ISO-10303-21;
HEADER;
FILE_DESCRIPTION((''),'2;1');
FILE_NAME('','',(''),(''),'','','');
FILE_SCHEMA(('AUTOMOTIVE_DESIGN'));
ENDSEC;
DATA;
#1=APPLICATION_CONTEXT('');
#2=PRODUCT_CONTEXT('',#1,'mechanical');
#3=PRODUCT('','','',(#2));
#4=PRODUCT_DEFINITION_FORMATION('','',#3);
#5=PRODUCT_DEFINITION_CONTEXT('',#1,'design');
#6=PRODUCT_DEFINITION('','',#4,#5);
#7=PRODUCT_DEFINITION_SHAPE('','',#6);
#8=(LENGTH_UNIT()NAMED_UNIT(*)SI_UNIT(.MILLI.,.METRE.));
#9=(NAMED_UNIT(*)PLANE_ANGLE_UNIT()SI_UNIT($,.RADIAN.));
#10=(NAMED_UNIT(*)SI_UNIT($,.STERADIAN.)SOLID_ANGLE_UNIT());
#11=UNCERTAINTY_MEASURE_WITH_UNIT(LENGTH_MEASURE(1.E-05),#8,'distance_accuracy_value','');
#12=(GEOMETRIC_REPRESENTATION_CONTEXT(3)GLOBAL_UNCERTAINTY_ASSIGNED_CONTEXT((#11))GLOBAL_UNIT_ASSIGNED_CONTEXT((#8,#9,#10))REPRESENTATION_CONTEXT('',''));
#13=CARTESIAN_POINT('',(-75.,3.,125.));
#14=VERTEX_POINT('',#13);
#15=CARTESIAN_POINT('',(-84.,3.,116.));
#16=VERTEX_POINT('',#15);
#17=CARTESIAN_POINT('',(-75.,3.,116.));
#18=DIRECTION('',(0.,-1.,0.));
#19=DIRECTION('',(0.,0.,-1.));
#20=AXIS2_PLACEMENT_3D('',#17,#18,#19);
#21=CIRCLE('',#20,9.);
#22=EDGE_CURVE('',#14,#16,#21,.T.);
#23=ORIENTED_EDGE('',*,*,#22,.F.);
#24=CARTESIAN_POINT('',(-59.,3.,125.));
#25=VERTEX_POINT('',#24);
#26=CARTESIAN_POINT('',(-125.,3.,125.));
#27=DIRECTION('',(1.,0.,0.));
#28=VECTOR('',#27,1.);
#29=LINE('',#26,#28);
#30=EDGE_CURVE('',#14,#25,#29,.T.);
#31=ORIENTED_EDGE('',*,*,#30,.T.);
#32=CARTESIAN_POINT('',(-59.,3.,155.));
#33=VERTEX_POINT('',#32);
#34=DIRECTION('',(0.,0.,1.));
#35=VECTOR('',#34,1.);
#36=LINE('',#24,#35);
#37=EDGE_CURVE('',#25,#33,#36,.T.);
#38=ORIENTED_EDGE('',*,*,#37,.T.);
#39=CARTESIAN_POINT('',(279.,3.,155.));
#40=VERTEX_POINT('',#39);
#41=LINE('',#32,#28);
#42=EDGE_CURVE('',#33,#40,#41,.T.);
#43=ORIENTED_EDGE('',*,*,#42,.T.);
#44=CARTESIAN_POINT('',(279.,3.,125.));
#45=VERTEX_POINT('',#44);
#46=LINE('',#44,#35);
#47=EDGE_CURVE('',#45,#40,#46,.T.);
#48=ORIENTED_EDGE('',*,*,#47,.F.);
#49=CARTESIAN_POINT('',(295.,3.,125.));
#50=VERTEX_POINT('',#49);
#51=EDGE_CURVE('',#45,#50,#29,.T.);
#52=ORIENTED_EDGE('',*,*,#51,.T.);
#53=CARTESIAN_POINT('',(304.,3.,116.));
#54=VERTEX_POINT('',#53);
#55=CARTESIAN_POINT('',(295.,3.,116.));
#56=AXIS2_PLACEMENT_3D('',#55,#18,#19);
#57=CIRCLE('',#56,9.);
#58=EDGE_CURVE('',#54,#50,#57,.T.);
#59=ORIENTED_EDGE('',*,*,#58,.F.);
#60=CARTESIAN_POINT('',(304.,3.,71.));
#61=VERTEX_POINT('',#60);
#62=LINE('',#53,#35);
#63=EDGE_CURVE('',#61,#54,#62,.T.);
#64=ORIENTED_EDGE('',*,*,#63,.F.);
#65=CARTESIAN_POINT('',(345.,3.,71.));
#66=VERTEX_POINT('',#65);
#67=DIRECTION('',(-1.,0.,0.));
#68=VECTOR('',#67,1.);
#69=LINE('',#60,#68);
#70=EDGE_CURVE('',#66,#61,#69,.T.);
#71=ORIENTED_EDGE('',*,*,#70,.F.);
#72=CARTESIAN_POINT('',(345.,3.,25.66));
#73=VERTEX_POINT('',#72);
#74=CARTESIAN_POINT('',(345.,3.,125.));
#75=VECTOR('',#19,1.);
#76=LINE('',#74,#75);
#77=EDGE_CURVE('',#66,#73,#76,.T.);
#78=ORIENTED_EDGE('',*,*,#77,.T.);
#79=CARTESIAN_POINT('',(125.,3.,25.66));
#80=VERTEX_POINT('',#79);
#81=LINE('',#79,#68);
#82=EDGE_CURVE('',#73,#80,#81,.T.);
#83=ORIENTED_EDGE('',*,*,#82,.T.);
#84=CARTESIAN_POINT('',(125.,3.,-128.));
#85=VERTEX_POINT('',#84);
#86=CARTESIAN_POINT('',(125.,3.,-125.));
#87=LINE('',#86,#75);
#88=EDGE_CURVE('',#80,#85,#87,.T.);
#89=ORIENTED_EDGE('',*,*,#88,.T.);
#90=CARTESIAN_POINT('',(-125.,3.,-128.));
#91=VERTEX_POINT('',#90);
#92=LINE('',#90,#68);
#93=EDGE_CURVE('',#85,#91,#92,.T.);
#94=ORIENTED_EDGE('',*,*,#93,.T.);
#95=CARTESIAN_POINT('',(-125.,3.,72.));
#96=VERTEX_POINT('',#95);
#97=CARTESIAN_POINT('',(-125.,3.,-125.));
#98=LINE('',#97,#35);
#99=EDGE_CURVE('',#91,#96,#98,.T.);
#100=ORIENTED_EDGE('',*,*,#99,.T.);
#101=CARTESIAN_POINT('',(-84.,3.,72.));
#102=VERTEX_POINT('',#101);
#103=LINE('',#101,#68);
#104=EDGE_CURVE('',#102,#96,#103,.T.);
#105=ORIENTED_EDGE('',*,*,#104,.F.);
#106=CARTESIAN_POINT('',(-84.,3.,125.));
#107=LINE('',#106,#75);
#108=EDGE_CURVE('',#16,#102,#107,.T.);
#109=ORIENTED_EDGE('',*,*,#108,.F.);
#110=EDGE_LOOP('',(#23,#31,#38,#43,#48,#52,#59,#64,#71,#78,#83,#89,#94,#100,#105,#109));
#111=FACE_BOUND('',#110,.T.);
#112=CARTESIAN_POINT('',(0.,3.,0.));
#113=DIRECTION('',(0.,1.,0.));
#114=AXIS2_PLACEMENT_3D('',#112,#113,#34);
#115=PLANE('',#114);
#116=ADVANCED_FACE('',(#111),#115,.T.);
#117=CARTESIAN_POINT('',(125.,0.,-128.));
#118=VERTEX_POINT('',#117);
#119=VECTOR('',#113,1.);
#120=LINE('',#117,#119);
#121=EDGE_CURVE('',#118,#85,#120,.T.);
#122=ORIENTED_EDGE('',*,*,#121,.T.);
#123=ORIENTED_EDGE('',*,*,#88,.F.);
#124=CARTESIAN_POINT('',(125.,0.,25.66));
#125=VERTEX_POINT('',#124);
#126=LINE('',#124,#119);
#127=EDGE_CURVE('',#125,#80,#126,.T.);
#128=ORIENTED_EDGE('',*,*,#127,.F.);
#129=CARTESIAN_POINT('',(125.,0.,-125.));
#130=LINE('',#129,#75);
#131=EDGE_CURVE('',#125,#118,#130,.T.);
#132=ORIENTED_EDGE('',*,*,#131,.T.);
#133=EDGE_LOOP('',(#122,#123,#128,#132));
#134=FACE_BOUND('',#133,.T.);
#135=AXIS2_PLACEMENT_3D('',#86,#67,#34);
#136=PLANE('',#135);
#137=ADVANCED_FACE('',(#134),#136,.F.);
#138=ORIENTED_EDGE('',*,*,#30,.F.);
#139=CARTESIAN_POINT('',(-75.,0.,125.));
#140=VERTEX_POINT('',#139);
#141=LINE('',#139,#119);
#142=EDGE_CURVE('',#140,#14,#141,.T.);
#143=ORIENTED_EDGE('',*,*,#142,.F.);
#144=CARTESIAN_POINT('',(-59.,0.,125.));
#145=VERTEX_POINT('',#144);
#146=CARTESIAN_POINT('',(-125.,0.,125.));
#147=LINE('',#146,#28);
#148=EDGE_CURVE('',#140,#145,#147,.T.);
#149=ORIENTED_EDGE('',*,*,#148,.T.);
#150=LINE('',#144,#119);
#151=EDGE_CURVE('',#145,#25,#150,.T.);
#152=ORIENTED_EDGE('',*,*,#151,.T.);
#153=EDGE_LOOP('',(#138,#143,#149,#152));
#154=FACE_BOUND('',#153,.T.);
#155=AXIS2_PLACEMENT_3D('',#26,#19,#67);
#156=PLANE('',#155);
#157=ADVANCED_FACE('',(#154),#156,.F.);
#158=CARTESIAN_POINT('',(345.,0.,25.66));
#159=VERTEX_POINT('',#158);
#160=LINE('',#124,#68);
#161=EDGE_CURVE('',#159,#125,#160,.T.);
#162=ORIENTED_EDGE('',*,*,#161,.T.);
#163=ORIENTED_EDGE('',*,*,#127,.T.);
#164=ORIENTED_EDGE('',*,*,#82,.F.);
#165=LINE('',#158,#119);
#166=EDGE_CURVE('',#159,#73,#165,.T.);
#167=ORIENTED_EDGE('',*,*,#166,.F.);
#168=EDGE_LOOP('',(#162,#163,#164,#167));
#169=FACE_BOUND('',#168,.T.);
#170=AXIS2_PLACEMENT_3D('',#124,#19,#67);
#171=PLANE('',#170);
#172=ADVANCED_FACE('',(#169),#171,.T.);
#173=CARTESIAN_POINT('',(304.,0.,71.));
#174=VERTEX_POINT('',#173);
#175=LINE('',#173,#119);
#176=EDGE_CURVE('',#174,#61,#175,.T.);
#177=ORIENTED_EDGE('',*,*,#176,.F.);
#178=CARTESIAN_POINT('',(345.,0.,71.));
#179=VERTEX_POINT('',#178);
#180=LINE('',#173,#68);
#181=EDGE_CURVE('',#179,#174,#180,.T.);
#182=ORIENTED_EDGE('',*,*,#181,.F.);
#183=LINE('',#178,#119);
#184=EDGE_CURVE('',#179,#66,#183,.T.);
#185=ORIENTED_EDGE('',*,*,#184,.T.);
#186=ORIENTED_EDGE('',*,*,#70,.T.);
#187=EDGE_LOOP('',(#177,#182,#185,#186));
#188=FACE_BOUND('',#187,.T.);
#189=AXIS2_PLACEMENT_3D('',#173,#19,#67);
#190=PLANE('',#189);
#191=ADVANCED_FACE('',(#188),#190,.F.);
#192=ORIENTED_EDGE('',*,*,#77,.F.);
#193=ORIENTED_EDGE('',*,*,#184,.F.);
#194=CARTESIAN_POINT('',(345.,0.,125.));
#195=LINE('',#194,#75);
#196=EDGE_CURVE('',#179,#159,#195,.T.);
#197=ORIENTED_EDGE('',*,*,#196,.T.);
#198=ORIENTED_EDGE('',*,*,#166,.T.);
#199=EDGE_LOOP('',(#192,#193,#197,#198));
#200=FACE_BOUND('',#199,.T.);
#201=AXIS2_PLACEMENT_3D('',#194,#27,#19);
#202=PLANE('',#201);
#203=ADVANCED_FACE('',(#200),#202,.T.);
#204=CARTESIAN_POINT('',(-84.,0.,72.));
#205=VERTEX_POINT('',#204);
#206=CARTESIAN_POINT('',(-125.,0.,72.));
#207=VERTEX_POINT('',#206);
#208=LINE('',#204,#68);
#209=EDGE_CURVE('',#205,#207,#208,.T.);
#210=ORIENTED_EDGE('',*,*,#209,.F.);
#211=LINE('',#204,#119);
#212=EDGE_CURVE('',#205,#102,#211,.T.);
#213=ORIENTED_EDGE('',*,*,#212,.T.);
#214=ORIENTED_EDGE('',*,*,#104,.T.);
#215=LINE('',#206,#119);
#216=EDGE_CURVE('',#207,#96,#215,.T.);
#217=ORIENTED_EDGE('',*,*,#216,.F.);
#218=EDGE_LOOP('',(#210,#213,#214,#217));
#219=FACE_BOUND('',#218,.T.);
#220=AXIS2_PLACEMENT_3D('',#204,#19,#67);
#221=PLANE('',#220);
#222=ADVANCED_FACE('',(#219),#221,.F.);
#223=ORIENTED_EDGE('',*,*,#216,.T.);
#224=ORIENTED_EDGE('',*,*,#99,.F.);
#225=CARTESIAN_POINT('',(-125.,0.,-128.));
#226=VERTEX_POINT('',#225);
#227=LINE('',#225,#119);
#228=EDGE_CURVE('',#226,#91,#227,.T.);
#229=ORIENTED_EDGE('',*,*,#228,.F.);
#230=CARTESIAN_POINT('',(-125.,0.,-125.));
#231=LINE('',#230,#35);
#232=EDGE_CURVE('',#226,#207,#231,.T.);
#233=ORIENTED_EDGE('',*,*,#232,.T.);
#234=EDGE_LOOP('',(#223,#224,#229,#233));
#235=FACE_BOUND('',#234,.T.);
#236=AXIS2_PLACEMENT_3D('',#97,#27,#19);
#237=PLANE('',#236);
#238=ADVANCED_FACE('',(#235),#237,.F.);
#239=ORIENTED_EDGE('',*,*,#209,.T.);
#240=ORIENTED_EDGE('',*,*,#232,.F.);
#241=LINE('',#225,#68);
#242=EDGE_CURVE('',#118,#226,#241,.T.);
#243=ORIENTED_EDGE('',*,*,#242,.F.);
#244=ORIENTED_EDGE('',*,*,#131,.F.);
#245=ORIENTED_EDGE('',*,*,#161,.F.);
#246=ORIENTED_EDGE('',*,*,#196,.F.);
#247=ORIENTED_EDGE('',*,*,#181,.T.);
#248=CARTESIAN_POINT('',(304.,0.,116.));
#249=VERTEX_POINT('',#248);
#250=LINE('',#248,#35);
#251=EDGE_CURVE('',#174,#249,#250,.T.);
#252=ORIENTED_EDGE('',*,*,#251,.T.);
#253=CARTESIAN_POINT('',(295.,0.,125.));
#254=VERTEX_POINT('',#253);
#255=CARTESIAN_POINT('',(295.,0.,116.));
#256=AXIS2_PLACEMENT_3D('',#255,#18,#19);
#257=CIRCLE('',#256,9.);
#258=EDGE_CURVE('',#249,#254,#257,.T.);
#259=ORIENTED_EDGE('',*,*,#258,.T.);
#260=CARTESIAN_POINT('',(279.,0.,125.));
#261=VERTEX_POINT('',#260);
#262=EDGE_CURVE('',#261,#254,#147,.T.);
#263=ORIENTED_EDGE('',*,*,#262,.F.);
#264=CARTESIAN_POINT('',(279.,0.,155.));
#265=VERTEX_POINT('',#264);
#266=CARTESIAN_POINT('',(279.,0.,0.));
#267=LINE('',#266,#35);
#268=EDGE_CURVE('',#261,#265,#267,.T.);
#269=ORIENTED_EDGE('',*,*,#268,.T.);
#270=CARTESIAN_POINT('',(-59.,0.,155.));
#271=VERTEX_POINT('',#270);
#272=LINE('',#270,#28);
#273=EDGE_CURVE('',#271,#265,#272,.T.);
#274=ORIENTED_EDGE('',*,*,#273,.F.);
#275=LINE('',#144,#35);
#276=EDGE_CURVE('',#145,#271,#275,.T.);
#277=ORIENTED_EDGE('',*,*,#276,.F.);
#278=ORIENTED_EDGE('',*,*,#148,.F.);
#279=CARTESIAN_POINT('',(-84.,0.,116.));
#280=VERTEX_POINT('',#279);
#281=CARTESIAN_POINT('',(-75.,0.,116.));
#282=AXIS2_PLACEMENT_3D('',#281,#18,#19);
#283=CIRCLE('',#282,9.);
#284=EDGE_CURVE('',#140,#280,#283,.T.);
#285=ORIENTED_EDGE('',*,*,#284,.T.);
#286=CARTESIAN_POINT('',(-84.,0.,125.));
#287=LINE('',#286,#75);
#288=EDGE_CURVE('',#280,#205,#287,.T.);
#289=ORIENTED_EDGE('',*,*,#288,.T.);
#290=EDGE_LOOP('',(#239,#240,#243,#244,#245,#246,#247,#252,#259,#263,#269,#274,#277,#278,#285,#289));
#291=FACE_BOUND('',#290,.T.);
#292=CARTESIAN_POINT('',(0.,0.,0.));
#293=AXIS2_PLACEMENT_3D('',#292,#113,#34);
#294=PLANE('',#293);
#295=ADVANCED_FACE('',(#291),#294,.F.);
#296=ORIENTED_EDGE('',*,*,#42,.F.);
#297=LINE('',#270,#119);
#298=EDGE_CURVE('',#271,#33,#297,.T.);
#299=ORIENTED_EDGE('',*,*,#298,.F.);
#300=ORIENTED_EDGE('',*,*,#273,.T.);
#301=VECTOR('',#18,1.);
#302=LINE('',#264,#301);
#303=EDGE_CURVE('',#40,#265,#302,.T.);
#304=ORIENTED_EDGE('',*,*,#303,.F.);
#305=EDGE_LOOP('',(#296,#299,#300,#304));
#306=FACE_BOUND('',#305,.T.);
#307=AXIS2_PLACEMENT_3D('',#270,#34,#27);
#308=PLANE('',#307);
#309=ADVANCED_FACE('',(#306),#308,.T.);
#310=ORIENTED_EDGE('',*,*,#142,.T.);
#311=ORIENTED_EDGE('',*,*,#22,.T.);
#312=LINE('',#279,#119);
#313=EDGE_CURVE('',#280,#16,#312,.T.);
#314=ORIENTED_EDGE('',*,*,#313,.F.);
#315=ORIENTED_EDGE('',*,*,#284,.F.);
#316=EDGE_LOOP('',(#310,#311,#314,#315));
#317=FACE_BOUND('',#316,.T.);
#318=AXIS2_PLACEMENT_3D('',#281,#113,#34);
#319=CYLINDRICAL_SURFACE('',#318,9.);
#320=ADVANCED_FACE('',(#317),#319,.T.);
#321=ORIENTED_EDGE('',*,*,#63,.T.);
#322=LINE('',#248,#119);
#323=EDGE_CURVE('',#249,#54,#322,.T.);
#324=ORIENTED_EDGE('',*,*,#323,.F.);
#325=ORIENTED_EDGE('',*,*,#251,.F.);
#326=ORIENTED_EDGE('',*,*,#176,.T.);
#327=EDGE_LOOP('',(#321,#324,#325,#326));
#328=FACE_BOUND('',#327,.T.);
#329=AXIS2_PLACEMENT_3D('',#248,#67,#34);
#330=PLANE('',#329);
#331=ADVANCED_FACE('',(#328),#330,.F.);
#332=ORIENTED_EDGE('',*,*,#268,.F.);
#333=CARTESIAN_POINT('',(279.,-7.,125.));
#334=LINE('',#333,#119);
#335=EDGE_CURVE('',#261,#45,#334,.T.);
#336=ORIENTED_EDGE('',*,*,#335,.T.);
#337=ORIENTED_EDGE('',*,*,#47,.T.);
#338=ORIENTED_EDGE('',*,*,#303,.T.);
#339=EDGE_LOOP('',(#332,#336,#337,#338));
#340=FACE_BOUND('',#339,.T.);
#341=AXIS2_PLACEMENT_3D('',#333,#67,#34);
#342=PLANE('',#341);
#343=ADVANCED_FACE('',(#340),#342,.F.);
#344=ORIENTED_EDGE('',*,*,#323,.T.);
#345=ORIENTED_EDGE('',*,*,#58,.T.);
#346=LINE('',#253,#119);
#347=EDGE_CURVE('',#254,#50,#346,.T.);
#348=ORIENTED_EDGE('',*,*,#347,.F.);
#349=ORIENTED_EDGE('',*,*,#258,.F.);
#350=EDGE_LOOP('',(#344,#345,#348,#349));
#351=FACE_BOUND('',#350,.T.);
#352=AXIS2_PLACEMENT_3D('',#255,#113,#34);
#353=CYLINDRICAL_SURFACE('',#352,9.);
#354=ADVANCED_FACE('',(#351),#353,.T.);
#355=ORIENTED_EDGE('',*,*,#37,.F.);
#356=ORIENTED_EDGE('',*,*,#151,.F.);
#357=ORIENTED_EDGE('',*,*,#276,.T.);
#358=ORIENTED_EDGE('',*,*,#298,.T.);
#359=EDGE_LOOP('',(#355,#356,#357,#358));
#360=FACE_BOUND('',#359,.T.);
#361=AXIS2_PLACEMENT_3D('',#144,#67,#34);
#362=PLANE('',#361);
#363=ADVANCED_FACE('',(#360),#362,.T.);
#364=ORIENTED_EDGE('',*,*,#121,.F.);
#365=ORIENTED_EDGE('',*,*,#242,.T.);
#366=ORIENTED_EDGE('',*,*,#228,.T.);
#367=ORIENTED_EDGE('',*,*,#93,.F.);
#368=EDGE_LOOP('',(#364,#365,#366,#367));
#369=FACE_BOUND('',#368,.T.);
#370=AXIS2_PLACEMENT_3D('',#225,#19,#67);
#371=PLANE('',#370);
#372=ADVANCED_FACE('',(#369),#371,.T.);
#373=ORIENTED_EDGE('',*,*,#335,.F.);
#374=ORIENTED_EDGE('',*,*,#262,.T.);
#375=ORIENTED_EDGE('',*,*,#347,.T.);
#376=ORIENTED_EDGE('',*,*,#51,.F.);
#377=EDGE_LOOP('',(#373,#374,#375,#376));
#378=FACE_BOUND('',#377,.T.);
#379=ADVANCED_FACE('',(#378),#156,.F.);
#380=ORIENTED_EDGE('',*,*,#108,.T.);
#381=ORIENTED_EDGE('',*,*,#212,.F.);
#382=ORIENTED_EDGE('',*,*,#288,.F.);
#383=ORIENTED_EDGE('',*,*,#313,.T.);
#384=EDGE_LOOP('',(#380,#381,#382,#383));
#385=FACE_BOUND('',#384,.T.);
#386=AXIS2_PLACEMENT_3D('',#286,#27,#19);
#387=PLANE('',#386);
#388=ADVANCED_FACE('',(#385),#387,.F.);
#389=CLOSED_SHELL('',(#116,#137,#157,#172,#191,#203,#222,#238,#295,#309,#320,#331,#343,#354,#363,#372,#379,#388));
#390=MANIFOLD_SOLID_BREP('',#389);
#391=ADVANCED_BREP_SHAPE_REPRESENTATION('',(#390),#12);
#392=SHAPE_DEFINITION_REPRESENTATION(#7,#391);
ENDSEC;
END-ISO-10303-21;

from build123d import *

# Parameters (mm, degrees)
CROQUIS1_W              = 250
CROQUIS1_H              = 250
SALIENTE_EXTRUIR1_DEPTH = 3
CROQUIS2_W              = 250
CROQUIS2_H              = 3
SALIENTE_EXTRUIR2_DEPTH = 3
CROQUIS3_W              = 220
CROQUIS3_H              = 99.34
SALIENTE_EXTRUIR4_DEPTH = 3
CROQUIS4_W              = 41
CROQUIS4_H              = 52
CORTAR_EXTRUIR1_DEPTH   = 3
CORTAR_EXTRUIR2_DEPTH   = 3
CROQUIS6_W              = 339
CROQUIS6_H              = 30
SALIENTE_EXTRUIR5_DEPTH = 3
CORTAR_EXTRUIR3_DEPTH   = 3
CROQUIS8_W              = 1
CROQUIS8_H              = 30
CORTAR_EXTRUIR4_DEPTH   = 10
CROQUIS10_W             = 41
CROQUIS10_H             = 1
CORTAR_EXTRUIR5_DEPTH   = 3


with BuildPart() as part:
    # Croquis1 → Saliente-Extruir1 (new body)
    with BuildSketch(Plane(origin=(0, 0, 0), x_dir=(1, 0, 0), z_dir=(0, 1, 0))):
        Rectangle(CROQUIS1_W, CROQUIS1_H)
    extrude(amount=SALIENTE_EXTRUIR1_DEPTH)

    # Croquis2 → Saliente-Extruir2 (add)
    with BuildSketch(Plane(origin=(0, 3, 0), x_dir=(1, 0, 0), z_dir=(0, 1, 0))):
        with Locations((0, 126.5)):
            Rectangle(CROQUIS2_W, CROQUIS2_H)
    extrude(amount=-SALIENTE_EXTRUIR2_DEPTH)

    # Croquis3 → Saliente-Extruir4 (add)
    with BuildSketch(Plane(origin=(0, 3, 0), x_dir=(1, 0, 0), z_dir=(0, 1, 0))):
        with Locations((235, -75.33)):
            Rectangle(CROQUIS3_W, CROQUIS3_H)
    extrude(amount=-SALIENTE_EXTRUIR4_DEPTH)

    # Croquis4 → Cortar-Extruir1 (cut)
    with BuildSketch(Plane(origin=(0, 3, 0), x_dir=(1, 0, 0), z_dir=(0, 1, 0))):
        with Locations((-104.5, -99)):
            Rectangle(CROQUIS4_W, CROQUIS4_H)
    extrude(amount=-CORTAR_EXTRUIR1_DEPTH, mode=Mode.SUBTRACT)

    # Croquis5 → Cortar-Extruir2 (cut)
    with BuildSketch(Plane(origin=(0, 3, 0), x_dir=(1, 0, 0), z_dir=(0, 1, 0))):
        with BuildLine():
            Line((-84, -116), (-84, -125))
            Line((-84, -125), (-75, -125))
            ThreePointArc((-75, -125), (-81.363961031, -122.363961031), (-84, -116))
        make_face()
    extrude(amount=-CORTAR_EXTRUIR2_DEPTH, mode=Mode.SUBTRACT)

    # Croquis6 → Saliente-Extruir5 (add)
    with BuildSketch(Plane(origin=(0, 3, 0), x_dir=(1, 0, 0), z_dir=(0, 1, 0))):
        with Locations((110.5, -140)):
            Rectangle(CROQUIS6_W, CROQUIS6_H)
    extrude(amount=-SALIENTE_EXTRUIR5_DEPTH)

    # Croquis7 → Cortar-Extruir3 (cut)
    with BuildSketch(Plane(origin=(0, 3, 0), x_dir=(1, 0, 0), z_dir=(0, 1, 0))):
        with BuildLine():
            Line((345, -72), (304, -72))
            Line((304, -72), (304, -116))
            ThreePointArc((304, -116), (301.363961031, -122.363961031), (295, -125))
            Line((295, -125), (345, -125))
            Line((345, -125), (345, -72))
        make_face()
    extrude(amount=-CORTAR_EXTRUIR3_DEPTH, mode=Mode.SUBTRACT)

    # Croquis8 → Cortar-Extruir4 (cut)
    with BuildSketch(Plane(origin=(0, 3, 0), x_dir=(1, 0, 0), z_dir=(0, 1, 0))):
        with Locations((279.5, -140)):
            Rectangle(CROQUIS8_W, CROQUIS8_H)
    extrude(amount=-CORTAR_EXTRUIR4_DEPTH, mode=Mode.SUBTRACT)

    # Croquis10 → Cortar-Extruir5 (cut)
    with BuildSketch(Plane(origin=(0, 3, 0), x_dir=(1, 0, 0), z_dir=(0, 1, 0))):
        with Locations((-104.5, -72.5)):
            Rectangle(CROQUIS10_W, CROQUIS10_H)
        with Locations((324.5, -71.5)):
            Rectangle(CROQUIS10_W, CROQUIS10_H)
    extrude(amount=-CORTAR_EXTRUIR5_DEPTH, mode=Mode.SUBTRACT)


solid = part.part
